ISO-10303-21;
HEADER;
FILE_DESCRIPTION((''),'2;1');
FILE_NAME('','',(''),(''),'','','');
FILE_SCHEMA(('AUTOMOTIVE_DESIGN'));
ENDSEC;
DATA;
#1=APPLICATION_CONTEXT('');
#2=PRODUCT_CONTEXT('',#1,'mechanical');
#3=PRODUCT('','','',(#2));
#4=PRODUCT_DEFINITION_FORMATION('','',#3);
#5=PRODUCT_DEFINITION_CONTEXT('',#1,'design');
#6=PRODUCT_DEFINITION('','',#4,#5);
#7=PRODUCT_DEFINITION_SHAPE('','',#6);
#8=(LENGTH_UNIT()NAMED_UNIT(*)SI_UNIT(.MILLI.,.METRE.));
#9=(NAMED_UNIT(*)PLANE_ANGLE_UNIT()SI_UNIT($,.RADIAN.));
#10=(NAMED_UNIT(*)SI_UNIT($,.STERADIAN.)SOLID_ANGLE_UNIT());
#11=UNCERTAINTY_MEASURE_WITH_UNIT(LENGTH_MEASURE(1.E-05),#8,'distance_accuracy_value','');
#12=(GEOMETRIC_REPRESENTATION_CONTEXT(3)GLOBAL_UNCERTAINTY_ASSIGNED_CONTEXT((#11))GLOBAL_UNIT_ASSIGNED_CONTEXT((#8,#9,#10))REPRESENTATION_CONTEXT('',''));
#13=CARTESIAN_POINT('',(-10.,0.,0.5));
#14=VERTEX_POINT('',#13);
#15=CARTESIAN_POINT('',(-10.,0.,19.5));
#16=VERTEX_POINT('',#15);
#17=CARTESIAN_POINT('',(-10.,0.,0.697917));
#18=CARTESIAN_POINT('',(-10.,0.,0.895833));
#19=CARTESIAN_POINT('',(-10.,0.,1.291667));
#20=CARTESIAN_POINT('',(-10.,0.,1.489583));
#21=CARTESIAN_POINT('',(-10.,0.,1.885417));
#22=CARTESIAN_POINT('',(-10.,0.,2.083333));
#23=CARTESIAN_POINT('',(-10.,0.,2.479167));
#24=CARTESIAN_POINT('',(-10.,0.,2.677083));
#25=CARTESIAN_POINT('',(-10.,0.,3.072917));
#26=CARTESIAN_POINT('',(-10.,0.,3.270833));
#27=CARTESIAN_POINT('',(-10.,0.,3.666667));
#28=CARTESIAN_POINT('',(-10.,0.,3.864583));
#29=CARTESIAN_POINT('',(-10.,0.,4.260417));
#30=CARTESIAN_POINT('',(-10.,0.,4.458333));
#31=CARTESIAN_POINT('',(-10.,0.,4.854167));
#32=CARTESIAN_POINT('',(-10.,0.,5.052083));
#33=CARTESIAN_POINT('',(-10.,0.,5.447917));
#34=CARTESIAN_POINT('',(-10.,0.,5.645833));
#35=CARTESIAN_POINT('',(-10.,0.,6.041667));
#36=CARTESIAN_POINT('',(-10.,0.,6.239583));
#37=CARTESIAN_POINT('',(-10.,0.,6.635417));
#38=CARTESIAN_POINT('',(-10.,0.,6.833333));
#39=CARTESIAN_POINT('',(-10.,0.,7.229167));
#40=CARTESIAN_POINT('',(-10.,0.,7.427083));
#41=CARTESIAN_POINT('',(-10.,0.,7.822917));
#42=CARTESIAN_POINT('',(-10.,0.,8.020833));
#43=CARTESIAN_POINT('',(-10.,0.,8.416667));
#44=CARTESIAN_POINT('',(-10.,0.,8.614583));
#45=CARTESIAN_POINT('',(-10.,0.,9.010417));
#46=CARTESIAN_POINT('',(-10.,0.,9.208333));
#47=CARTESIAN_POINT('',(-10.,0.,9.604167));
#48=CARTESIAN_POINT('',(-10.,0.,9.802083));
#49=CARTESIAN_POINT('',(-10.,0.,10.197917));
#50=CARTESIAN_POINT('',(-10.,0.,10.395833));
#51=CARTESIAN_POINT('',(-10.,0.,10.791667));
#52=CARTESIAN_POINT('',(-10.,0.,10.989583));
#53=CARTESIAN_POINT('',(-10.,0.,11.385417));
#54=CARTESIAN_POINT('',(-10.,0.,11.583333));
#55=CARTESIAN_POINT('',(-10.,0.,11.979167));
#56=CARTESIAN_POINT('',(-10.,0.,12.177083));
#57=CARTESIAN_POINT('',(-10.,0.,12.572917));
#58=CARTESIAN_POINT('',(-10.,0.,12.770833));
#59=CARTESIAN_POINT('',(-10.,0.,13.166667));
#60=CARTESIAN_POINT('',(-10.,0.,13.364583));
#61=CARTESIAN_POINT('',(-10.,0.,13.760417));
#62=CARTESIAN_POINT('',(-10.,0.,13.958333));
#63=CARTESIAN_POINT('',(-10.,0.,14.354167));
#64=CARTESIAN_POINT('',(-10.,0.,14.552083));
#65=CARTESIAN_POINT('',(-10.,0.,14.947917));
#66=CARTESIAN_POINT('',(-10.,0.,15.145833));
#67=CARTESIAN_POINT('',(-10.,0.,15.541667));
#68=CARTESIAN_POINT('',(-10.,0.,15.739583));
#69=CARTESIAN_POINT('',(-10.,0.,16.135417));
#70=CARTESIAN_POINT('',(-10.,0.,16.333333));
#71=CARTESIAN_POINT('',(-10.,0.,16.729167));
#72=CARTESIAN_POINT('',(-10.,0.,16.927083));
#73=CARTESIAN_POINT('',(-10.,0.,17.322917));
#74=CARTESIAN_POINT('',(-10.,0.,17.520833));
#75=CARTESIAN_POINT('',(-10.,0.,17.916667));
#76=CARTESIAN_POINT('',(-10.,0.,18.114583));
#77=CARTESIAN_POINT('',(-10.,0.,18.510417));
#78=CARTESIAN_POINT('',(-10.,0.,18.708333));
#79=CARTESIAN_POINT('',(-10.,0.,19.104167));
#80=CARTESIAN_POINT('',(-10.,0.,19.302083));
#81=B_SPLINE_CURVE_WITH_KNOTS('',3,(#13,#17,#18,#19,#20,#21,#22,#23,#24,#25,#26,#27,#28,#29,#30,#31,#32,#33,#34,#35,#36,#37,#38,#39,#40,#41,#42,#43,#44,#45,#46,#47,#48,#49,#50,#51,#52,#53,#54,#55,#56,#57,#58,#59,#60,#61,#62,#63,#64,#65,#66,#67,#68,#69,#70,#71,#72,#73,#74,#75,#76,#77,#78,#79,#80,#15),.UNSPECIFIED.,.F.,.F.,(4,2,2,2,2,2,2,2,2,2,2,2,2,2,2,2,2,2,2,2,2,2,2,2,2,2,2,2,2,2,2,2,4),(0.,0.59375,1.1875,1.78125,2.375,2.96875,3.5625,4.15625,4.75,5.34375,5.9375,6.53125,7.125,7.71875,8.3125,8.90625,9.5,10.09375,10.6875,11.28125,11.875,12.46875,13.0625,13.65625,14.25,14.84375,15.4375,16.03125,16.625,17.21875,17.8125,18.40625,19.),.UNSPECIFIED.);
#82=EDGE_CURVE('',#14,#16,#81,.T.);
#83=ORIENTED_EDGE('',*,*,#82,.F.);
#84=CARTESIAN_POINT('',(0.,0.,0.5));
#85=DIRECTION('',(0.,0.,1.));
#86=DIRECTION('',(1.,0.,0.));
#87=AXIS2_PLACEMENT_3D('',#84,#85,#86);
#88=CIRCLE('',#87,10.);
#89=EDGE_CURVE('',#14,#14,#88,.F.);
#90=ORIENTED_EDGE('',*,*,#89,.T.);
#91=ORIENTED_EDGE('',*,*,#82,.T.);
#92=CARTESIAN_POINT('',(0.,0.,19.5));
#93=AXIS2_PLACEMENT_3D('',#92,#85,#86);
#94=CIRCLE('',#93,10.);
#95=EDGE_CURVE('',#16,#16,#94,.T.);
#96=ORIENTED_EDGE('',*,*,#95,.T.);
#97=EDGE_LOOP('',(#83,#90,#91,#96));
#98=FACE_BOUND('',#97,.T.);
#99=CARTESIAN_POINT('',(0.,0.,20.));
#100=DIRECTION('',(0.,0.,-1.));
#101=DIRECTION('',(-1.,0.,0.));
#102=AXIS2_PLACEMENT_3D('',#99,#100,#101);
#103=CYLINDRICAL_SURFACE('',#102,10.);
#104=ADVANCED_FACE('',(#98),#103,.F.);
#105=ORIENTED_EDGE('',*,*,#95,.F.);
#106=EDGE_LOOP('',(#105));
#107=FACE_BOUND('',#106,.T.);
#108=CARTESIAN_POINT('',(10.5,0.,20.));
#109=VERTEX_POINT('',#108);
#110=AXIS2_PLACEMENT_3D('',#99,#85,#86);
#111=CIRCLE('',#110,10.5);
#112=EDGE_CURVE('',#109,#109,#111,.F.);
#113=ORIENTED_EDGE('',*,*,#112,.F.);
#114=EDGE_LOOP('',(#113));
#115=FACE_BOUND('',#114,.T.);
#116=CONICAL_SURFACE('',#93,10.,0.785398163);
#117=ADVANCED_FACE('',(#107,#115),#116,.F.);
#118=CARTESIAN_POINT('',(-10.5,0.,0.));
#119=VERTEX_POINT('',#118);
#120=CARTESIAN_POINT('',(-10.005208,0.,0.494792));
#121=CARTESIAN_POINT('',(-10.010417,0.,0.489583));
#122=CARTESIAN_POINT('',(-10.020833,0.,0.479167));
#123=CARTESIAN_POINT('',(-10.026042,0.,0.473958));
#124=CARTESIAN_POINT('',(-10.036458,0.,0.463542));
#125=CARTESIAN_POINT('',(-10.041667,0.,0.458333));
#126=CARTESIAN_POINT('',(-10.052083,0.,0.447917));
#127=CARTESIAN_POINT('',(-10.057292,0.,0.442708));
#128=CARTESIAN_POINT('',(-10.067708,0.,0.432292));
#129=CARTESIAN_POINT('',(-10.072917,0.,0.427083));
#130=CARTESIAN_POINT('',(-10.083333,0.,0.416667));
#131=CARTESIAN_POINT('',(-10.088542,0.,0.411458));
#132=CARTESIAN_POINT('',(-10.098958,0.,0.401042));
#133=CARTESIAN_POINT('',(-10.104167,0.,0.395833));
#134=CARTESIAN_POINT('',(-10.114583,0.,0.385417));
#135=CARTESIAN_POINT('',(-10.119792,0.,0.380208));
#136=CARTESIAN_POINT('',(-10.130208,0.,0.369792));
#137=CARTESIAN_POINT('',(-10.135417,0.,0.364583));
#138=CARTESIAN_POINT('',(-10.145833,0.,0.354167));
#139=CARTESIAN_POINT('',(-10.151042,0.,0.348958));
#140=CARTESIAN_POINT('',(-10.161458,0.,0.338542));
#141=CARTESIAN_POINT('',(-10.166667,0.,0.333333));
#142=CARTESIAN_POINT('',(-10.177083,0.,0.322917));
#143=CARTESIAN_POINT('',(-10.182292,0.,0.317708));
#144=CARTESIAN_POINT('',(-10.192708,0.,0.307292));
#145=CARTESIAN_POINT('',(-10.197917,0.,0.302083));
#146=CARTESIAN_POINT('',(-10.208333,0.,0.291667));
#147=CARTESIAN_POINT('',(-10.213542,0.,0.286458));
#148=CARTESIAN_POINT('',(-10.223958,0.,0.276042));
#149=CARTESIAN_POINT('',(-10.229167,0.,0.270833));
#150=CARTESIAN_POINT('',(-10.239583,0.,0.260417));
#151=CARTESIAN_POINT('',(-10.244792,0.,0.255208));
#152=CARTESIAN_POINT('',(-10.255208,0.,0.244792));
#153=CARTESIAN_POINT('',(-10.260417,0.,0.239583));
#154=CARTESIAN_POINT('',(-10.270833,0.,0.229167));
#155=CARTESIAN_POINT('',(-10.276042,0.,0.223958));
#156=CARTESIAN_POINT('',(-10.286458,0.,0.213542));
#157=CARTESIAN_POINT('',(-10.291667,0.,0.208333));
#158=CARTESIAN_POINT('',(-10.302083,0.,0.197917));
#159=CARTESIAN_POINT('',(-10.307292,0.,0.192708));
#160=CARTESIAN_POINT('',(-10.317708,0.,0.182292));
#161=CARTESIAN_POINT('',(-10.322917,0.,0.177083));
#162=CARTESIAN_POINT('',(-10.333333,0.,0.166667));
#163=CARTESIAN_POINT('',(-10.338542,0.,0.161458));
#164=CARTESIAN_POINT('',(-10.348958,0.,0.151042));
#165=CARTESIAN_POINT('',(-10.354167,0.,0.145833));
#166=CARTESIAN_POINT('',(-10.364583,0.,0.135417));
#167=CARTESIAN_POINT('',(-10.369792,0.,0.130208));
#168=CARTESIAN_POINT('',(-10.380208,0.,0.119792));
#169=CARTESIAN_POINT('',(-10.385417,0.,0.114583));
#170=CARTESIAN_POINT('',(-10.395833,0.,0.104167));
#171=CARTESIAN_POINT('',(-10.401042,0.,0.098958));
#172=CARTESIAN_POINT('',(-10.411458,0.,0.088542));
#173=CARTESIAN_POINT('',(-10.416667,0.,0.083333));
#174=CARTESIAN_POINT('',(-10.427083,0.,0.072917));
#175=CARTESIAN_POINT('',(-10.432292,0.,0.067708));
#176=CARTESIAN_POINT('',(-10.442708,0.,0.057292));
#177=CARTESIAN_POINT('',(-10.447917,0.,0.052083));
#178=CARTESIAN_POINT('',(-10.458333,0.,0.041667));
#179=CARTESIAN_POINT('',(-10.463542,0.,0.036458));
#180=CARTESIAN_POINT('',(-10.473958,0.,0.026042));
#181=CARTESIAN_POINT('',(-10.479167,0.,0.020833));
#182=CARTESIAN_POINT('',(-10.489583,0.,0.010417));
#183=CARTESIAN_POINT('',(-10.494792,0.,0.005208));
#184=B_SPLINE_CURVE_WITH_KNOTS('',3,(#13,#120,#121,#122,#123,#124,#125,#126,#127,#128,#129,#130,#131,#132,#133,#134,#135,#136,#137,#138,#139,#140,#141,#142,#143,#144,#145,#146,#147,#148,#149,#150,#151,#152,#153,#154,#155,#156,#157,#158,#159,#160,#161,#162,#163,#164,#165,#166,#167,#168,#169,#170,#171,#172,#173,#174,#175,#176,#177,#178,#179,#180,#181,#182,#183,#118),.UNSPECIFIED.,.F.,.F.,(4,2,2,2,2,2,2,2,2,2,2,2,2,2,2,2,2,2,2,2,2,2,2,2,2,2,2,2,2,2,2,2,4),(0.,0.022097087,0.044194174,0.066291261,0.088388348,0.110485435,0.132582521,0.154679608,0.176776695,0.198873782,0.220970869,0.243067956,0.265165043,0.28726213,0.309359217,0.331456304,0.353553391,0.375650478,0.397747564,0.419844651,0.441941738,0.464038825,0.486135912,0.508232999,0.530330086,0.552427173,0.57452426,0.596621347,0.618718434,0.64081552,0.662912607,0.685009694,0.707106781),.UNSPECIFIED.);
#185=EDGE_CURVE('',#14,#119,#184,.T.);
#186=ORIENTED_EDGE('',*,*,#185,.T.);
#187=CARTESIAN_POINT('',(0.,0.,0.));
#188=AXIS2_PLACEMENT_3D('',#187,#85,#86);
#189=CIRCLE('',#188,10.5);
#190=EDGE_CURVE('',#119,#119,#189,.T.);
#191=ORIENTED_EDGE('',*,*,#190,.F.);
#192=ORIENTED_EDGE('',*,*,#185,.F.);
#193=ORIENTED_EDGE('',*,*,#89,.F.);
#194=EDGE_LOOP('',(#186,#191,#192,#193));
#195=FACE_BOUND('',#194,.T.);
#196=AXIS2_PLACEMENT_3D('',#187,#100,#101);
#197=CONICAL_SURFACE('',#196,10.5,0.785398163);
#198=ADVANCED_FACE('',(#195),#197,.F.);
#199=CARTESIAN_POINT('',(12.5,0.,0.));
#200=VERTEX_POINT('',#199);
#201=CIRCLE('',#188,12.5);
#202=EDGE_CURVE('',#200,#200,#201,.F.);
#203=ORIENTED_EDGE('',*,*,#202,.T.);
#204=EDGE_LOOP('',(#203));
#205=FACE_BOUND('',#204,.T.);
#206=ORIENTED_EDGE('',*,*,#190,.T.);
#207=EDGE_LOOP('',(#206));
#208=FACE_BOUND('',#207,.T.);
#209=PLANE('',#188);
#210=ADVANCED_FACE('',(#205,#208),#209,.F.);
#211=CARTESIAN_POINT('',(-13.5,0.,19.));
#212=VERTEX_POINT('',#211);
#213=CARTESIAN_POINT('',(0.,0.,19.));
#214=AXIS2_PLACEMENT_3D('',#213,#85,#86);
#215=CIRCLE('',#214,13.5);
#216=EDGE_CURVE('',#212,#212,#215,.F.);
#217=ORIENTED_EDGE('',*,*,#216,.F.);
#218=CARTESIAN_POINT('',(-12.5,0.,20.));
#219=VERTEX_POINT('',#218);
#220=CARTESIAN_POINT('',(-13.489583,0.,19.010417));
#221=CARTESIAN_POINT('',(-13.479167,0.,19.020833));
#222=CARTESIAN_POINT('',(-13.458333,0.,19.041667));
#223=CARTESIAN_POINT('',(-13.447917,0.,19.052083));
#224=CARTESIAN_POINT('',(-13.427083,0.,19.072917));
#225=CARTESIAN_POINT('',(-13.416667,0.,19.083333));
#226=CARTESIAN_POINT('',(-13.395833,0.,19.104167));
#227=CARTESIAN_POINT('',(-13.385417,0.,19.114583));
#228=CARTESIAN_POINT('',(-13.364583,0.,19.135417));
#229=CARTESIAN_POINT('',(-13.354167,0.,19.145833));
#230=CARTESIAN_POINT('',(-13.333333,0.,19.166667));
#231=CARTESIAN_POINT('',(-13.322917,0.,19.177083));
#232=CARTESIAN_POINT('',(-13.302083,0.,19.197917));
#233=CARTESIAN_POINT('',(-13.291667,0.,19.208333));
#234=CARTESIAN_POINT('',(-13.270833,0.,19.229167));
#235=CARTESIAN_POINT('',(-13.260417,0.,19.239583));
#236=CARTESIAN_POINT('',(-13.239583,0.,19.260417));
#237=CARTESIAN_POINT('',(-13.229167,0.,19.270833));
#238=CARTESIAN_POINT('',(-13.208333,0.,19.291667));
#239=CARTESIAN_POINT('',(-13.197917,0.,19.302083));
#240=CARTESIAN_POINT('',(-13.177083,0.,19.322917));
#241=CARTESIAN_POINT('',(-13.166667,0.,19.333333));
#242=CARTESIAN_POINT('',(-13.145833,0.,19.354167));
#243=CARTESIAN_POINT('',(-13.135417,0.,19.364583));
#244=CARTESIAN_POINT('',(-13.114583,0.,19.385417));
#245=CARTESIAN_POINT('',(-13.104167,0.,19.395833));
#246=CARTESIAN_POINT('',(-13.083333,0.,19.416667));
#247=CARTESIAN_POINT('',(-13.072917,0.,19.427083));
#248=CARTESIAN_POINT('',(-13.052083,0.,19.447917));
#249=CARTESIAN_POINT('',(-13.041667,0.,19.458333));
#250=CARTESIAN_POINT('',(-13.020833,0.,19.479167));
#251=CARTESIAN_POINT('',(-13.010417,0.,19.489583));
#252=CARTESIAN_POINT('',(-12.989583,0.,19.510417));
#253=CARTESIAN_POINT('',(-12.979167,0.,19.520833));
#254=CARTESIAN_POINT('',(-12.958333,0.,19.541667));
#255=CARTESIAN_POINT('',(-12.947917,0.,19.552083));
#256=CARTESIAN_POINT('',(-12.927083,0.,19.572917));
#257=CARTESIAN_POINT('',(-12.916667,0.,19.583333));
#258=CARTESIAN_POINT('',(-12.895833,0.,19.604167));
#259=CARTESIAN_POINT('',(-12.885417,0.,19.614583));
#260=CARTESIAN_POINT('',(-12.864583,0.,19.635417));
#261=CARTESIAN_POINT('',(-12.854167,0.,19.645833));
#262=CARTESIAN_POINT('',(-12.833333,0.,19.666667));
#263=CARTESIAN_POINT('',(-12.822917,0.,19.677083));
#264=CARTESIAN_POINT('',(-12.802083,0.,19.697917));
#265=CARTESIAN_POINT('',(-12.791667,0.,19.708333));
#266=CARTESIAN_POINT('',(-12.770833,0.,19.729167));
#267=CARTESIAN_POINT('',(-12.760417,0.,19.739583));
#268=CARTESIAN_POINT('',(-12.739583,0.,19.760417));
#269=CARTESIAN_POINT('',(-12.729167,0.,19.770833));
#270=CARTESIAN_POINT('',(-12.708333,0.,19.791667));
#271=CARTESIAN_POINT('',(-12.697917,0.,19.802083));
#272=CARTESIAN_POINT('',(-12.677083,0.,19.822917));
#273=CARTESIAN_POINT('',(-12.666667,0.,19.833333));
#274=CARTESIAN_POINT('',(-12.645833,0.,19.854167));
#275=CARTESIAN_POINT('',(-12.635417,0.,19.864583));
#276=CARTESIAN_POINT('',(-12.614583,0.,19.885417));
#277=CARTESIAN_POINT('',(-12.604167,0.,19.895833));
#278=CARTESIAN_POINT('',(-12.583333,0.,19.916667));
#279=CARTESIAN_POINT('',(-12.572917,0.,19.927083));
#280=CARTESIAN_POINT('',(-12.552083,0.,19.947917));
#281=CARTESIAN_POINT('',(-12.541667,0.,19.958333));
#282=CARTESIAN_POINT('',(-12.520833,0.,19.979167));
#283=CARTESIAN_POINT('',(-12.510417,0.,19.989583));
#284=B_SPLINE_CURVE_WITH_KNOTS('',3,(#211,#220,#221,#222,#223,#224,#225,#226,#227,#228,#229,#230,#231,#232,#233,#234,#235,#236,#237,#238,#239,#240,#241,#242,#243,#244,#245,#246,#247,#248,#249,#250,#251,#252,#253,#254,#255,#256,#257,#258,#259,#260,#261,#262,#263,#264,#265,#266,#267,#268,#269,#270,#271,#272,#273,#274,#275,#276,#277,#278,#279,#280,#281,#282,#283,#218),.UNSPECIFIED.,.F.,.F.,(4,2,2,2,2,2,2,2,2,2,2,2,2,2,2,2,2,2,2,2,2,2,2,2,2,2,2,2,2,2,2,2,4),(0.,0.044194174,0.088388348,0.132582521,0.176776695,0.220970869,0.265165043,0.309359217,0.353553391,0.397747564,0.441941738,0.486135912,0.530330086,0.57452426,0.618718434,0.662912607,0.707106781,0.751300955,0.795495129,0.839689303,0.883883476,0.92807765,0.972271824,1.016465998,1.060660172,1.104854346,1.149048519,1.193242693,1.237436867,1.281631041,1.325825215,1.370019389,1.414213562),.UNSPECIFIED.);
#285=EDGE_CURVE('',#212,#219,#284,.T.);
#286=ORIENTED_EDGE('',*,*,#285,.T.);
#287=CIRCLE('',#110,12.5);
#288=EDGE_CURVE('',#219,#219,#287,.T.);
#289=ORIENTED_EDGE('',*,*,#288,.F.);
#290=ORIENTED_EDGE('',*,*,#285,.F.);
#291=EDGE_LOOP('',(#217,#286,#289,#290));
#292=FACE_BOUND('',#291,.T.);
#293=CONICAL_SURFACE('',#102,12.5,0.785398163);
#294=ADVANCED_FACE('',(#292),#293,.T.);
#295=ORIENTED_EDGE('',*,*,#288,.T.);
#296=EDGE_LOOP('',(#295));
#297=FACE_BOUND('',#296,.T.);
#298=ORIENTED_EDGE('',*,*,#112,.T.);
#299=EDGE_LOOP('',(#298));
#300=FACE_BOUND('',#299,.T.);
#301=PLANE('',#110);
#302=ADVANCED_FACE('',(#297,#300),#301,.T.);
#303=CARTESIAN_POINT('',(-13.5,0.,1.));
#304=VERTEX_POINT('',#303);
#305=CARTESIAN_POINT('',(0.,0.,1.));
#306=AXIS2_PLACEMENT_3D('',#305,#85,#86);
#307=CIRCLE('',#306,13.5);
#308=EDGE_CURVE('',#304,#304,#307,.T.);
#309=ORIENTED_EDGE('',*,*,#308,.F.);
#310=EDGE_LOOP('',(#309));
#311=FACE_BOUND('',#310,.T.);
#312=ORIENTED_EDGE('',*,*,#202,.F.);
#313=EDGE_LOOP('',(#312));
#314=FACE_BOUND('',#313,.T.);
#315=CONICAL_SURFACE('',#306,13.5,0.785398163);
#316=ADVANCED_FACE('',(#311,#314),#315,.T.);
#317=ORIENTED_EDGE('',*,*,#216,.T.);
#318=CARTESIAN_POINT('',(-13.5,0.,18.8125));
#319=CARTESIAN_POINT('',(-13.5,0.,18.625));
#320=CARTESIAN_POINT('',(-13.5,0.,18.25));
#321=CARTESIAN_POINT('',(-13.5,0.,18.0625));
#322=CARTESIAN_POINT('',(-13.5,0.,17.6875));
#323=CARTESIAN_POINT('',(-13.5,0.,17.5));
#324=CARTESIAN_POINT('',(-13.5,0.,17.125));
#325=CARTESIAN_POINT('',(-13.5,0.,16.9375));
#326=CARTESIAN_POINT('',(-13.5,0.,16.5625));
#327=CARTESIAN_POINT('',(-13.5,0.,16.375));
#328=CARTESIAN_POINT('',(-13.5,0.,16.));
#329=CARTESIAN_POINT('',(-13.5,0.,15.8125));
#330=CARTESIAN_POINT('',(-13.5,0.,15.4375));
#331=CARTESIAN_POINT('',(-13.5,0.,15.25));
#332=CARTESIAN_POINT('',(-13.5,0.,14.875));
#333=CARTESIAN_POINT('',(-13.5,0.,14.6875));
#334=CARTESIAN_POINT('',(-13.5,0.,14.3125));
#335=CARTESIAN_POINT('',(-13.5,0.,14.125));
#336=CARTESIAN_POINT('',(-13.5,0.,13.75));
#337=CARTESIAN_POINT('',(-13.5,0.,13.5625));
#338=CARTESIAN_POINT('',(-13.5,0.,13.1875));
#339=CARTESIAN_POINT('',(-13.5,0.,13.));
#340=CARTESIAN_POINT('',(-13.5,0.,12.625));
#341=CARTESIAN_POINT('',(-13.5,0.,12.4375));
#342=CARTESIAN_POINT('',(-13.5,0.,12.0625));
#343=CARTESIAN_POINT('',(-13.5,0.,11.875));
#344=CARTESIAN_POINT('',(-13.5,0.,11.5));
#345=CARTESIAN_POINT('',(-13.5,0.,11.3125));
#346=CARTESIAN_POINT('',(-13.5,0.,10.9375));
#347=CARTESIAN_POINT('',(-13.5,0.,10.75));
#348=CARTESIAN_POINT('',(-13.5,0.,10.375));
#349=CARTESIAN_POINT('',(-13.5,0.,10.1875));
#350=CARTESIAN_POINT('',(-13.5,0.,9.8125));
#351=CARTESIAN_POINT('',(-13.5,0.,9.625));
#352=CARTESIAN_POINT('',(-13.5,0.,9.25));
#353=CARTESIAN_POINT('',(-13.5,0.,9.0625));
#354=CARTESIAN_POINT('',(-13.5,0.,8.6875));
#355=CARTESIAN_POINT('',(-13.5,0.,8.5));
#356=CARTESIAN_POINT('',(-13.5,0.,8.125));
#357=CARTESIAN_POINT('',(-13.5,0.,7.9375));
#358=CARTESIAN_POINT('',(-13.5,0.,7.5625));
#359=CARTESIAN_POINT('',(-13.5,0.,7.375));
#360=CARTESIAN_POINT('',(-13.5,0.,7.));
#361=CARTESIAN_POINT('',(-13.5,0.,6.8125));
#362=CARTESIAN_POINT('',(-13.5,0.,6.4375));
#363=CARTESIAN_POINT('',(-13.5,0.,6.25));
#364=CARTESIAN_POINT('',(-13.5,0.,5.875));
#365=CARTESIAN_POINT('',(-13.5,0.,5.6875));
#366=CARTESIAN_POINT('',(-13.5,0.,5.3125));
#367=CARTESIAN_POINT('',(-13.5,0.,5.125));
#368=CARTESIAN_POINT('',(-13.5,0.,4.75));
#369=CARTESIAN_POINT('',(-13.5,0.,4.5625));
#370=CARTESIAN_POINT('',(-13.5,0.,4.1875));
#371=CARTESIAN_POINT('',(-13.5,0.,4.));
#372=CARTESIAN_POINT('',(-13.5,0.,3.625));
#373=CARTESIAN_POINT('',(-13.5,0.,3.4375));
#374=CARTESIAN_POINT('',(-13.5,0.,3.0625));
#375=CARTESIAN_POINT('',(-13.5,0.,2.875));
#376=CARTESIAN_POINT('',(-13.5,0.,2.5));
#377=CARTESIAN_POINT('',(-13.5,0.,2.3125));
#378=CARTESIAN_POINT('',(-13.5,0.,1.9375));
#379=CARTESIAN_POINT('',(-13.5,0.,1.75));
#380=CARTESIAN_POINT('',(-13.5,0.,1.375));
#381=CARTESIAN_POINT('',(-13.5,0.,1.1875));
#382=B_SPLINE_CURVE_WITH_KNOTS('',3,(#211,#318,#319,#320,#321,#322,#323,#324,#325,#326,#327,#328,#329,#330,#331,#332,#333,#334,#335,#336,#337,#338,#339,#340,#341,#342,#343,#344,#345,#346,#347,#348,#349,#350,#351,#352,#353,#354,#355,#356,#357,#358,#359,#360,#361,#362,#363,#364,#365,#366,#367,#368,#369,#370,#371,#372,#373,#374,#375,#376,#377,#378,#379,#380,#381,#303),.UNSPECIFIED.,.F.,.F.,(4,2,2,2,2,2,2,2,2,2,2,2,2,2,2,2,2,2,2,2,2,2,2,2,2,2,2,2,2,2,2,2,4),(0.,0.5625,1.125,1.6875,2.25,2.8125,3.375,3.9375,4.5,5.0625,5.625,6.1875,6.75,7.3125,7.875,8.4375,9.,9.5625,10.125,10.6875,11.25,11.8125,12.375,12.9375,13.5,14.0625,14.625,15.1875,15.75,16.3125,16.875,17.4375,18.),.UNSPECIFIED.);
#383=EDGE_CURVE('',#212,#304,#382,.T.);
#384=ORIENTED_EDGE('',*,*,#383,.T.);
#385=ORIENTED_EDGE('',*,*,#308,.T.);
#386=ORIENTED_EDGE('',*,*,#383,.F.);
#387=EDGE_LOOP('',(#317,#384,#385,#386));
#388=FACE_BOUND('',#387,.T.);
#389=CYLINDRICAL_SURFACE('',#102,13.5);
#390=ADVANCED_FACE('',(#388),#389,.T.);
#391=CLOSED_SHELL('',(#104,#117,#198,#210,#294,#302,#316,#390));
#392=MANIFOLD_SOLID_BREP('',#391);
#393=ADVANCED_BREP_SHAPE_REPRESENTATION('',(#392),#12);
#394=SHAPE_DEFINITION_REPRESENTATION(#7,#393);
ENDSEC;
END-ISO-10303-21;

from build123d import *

# Parameters (mm, degrees)
CROQUIS1_R              = 13.5
CROQUIS1_R_2            = 10
SALIENTE_EXTRUIR1_DEPTH = 20
CHAFL_N1_SIZE           = 1
CHAFL_N2_SIZE           = 0.5


with BuildPart() as part:
    # Croquis1 → Saliente-Extruir1 (new body)
    with BuildSketch(Plane.XY):
        Circle(CROQUIS1_R)
        Circle(CROQUIS1_R_2, mode=Mode.SUBTRACT)
    extrude(amount=SALIENTE_EXTRUIR1_DEPTH)

    # Chaflán1
    chafl_n1_edges = [part.edges().sort_by_distance(p)[0] for p in [
        (-13.5, 0, 0),
        (-13.5, 0, 20),
    ]]
    chamfer(chafl_n1_edges, length=CHAFL_N1_SIZE)

    # Chaflán2
    chafl_n2_edges = [part.edges().sort_by_distance(p)[0] for p in [
        (-10, 0, 0),
        (-10, 0, 20),
    ]]
    chamfer(chafl_n2_edges, length=CHAFL_N2_SIZE)


solid = part.part
